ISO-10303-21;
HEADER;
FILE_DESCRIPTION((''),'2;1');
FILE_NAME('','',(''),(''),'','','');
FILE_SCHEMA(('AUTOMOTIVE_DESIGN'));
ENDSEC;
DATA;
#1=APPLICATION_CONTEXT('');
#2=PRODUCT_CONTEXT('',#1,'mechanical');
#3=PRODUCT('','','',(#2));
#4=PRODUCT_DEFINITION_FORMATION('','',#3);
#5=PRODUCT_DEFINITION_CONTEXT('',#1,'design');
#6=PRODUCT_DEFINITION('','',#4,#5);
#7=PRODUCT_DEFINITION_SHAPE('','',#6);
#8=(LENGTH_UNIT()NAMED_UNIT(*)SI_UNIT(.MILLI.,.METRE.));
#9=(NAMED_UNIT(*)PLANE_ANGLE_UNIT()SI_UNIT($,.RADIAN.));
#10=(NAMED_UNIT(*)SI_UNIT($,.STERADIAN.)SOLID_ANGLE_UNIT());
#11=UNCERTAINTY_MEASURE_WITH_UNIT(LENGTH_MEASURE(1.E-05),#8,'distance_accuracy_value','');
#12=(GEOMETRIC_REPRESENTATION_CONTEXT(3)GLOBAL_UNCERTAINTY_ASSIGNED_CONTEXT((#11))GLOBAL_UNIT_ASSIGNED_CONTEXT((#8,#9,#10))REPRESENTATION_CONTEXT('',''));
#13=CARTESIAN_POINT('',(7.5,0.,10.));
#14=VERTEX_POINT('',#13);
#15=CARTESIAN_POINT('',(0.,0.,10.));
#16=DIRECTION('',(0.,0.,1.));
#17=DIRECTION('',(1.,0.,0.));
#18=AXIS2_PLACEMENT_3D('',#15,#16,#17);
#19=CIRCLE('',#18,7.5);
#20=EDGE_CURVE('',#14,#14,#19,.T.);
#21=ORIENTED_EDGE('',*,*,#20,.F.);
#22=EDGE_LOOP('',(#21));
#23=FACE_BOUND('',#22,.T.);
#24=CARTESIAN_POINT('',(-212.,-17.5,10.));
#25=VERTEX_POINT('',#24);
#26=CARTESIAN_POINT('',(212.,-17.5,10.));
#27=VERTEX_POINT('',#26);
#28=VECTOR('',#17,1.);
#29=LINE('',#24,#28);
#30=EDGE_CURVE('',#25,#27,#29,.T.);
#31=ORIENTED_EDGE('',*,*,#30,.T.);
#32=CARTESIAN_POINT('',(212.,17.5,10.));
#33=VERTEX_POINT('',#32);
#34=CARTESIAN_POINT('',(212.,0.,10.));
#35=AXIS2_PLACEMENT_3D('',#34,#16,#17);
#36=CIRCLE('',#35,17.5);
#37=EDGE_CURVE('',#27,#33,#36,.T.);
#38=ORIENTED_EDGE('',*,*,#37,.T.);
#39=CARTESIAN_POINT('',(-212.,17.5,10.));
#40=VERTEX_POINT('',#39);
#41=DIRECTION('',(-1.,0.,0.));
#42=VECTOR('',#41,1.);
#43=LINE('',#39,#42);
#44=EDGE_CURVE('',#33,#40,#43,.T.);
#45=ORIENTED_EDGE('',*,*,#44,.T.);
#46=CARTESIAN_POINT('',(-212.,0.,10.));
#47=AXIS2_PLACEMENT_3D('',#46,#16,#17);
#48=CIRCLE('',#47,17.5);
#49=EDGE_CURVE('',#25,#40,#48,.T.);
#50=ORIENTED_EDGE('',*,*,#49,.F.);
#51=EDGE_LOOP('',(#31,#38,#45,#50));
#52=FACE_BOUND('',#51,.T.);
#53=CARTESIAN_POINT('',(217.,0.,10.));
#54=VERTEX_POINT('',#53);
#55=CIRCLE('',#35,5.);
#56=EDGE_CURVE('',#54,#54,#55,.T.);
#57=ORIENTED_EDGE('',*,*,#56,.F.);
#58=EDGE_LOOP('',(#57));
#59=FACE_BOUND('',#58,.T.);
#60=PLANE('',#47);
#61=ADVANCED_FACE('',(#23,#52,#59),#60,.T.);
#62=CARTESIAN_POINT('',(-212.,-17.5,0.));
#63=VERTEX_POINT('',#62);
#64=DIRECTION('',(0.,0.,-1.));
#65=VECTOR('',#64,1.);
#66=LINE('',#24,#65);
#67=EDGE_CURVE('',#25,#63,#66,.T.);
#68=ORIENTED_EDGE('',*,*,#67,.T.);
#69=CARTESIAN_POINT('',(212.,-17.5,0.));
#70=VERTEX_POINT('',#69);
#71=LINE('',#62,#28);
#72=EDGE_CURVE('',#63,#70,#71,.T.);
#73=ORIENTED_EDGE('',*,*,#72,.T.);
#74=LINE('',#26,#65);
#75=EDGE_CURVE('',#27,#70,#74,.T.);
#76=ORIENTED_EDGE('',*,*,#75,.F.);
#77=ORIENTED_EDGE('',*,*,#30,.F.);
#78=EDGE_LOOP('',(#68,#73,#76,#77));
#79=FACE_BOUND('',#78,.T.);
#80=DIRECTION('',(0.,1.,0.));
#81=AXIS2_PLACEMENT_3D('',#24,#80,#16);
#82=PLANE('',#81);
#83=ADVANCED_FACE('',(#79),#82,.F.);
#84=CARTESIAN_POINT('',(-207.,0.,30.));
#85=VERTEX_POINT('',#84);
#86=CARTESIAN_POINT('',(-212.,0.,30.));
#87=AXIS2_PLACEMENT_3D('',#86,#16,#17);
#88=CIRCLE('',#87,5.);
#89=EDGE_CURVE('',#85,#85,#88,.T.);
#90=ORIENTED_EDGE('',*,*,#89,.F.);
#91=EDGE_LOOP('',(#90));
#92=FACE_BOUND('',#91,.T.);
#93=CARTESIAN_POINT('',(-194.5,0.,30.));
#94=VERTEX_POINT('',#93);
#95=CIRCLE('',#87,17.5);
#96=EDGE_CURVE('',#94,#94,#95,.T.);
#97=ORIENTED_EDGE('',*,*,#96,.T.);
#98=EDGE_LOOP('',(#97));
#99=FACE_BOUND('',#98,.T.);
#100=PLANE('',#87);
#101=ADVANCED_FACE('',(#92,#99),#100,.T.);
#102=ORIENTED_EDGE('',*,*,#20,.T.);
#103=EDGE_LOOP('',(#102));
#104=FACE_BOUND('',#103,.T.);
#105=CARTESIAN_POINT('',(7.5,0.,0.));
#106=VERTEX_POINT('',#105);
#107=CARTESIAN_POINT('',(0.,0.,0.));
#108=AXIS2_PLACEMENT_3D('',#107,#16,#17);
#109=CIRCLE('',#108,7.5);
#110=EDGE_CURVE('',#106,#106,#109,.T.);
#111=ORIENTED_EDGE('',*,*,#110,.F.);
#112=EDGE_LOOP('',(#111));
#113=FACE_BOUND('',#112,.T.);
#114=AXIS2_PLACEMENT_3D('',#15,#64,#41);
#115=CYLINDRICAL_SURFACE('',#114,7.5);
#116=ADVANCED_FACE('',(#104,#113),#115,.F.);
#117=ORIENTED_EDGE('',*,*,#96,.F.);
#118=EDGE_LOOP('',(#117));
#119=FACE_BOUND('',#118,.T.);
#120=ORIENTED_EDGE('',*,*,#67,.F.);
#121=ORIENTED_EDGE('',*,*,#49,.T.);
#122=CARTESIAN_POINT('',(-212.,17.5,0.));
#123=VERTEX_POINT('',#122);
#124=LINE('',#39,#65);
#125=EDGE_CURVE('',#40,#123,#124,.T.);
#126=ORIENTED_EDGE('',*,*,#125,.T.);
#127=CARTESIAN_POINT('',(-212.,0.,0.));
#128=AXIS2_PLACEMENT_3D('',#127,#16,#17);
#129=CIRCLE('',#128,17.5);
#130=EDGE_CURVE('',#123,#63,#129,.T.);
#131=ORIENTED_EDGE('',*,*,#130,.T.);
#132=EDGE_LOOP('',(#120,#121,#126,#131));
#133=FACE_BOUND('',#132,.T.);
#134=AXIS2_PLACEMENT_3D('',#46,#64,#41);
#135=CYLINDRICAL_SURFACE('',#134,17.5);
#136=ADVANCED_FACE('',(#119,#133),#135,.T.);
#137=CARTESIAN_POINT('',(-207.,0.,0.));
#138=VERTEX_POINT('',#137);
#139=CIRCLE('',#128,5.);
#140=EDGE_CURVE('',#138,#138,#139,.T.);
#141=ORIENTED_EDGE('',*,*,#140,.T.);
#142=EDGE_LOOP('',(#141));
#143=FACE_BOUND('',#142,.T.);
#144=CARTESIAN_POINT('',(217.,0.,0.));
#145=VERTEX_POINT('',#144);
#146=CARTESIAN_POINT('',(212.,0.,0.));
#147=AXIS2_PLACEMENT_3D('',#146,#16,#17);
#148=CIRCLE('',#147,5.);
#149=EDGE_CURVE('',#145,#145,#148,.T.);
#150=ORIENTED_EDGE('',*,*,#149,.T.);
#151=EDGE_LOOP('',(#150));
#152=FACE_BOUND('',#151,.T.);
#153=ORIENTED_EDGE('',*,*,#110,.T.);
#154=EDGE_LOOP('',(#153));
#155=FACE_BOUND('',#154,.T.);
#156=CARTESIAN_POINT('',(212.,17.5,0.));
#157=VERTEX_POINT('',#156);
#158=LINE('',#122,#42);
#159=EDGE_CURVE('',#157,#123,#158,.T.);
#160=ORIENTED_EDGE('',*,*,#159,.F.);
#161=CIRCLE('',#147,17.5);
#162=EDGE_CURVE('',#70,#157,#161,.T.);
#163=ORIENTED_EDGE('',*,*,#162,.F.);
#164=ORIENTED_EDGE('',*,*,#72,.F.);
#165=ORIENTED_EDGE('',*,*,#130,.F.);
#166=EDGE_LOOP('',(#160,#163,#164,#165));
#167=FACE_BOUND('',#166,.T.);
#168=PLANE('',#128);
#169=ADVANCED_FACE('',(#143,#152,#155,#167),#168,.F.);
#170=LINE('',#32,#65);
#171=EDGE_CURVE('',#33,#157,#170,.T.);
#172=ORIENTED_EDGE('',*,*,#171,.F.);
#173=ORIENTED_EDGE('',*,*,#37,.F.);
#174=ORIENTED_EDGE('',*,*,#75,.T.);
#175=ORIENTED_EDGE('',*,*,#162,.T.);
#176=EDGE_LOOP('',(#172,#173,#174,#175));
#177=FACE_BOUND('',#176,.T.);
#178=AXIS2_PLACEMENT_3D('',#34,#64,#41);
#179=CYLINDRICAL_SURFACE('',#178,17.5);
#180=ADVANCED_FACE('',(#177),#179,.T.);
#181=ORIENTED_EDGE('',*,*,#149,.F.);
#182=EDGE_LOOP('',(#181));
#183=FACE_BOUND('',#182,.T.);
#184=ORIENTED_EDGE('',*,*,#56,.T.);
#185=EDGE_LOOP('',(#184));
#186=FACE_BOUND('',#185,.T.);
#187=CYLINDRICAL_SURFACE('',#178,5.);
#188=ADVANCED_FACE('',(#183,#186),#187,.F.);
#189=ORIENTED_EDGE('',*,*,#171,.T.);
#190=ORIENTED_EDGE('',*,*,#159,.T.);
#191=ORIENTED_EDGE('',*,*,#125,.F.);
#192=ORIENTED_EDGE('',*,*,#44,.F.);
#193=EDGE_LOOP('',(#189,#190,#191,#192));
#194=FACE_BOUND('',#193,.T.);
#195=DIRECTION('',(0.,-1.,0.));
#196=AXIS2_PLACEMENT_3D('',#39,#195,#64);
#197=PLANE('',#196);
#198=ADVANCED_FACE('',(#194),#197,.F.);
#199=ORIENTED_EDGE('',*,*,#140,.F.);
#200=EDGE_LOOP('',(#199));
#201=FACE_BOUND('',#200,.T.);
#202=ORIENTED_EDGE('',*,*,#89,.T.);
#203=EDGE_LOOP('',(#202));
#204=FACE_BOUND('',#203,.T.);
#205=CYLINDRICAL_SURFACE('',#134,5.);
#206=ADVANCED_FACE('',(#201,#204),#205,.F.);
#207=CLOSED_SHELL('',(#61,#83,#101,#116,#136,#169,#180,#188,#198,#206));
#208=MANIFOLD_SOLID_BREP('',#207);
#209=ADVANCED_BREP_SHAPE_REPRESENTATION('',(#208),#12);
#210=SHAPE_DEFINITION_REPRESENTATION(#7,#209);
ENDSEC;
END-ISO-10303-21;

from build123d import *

# Parameters (mm, degrees)
CROQUIS1_R              = 5
CROQUIS1_R_2            = 7.5
SALIENTE_EXTRUIR1_DEPTH = 10
CROQUIS2_R              = 17.5
CROQUIS2_R_2            = 5
SALIENTE_EXTRUIR2_DEPTH = 20


with BuildPart() as part:
    # Croquis1 → Saliente-Extruir1 (new body)
    with BuildSketch(Plane.XY):
        with BuildLine():
            Line((-212, 17.5), (212, 17.5))
            ThreePointArc((212, 17.5), (229.5, 0), (212, -17.5))
            Line((212, -17.5), (-212, -17.5))
            ThreePointArc((-212, -17.5), (-229.5, 0), (-212, 17.5))
        make_face()
        with Locations((-212, 0)):
            Circle(CROQUIS1_R, mode=Mode.SUBTRACT)
        with Locations((212, 0)):
            Circle(CROQUIS1_R, mode=Mode.SUBTRACT)
        Circle(CROQUIS1_R_2, mode=Mode.SUBTRACT)
    extrude(amount=SALIENTE_EXTRUIR1_DEPTH)

    # Croquis2 → Saliente-Extruir2 (add)
    with BuildSketch(Plane.XY.offset(10)):
        with Locations((-212, 0)):
            Circle(CROQUIS2_R)
        with Locations((-212, 0)):
            Circle(CROQUIS2_R_2, mode=Mode.SUBTRACT)
    extrude(amount=SALIENTE_EXTRUIR2_DEPTH)


solid = part.part
